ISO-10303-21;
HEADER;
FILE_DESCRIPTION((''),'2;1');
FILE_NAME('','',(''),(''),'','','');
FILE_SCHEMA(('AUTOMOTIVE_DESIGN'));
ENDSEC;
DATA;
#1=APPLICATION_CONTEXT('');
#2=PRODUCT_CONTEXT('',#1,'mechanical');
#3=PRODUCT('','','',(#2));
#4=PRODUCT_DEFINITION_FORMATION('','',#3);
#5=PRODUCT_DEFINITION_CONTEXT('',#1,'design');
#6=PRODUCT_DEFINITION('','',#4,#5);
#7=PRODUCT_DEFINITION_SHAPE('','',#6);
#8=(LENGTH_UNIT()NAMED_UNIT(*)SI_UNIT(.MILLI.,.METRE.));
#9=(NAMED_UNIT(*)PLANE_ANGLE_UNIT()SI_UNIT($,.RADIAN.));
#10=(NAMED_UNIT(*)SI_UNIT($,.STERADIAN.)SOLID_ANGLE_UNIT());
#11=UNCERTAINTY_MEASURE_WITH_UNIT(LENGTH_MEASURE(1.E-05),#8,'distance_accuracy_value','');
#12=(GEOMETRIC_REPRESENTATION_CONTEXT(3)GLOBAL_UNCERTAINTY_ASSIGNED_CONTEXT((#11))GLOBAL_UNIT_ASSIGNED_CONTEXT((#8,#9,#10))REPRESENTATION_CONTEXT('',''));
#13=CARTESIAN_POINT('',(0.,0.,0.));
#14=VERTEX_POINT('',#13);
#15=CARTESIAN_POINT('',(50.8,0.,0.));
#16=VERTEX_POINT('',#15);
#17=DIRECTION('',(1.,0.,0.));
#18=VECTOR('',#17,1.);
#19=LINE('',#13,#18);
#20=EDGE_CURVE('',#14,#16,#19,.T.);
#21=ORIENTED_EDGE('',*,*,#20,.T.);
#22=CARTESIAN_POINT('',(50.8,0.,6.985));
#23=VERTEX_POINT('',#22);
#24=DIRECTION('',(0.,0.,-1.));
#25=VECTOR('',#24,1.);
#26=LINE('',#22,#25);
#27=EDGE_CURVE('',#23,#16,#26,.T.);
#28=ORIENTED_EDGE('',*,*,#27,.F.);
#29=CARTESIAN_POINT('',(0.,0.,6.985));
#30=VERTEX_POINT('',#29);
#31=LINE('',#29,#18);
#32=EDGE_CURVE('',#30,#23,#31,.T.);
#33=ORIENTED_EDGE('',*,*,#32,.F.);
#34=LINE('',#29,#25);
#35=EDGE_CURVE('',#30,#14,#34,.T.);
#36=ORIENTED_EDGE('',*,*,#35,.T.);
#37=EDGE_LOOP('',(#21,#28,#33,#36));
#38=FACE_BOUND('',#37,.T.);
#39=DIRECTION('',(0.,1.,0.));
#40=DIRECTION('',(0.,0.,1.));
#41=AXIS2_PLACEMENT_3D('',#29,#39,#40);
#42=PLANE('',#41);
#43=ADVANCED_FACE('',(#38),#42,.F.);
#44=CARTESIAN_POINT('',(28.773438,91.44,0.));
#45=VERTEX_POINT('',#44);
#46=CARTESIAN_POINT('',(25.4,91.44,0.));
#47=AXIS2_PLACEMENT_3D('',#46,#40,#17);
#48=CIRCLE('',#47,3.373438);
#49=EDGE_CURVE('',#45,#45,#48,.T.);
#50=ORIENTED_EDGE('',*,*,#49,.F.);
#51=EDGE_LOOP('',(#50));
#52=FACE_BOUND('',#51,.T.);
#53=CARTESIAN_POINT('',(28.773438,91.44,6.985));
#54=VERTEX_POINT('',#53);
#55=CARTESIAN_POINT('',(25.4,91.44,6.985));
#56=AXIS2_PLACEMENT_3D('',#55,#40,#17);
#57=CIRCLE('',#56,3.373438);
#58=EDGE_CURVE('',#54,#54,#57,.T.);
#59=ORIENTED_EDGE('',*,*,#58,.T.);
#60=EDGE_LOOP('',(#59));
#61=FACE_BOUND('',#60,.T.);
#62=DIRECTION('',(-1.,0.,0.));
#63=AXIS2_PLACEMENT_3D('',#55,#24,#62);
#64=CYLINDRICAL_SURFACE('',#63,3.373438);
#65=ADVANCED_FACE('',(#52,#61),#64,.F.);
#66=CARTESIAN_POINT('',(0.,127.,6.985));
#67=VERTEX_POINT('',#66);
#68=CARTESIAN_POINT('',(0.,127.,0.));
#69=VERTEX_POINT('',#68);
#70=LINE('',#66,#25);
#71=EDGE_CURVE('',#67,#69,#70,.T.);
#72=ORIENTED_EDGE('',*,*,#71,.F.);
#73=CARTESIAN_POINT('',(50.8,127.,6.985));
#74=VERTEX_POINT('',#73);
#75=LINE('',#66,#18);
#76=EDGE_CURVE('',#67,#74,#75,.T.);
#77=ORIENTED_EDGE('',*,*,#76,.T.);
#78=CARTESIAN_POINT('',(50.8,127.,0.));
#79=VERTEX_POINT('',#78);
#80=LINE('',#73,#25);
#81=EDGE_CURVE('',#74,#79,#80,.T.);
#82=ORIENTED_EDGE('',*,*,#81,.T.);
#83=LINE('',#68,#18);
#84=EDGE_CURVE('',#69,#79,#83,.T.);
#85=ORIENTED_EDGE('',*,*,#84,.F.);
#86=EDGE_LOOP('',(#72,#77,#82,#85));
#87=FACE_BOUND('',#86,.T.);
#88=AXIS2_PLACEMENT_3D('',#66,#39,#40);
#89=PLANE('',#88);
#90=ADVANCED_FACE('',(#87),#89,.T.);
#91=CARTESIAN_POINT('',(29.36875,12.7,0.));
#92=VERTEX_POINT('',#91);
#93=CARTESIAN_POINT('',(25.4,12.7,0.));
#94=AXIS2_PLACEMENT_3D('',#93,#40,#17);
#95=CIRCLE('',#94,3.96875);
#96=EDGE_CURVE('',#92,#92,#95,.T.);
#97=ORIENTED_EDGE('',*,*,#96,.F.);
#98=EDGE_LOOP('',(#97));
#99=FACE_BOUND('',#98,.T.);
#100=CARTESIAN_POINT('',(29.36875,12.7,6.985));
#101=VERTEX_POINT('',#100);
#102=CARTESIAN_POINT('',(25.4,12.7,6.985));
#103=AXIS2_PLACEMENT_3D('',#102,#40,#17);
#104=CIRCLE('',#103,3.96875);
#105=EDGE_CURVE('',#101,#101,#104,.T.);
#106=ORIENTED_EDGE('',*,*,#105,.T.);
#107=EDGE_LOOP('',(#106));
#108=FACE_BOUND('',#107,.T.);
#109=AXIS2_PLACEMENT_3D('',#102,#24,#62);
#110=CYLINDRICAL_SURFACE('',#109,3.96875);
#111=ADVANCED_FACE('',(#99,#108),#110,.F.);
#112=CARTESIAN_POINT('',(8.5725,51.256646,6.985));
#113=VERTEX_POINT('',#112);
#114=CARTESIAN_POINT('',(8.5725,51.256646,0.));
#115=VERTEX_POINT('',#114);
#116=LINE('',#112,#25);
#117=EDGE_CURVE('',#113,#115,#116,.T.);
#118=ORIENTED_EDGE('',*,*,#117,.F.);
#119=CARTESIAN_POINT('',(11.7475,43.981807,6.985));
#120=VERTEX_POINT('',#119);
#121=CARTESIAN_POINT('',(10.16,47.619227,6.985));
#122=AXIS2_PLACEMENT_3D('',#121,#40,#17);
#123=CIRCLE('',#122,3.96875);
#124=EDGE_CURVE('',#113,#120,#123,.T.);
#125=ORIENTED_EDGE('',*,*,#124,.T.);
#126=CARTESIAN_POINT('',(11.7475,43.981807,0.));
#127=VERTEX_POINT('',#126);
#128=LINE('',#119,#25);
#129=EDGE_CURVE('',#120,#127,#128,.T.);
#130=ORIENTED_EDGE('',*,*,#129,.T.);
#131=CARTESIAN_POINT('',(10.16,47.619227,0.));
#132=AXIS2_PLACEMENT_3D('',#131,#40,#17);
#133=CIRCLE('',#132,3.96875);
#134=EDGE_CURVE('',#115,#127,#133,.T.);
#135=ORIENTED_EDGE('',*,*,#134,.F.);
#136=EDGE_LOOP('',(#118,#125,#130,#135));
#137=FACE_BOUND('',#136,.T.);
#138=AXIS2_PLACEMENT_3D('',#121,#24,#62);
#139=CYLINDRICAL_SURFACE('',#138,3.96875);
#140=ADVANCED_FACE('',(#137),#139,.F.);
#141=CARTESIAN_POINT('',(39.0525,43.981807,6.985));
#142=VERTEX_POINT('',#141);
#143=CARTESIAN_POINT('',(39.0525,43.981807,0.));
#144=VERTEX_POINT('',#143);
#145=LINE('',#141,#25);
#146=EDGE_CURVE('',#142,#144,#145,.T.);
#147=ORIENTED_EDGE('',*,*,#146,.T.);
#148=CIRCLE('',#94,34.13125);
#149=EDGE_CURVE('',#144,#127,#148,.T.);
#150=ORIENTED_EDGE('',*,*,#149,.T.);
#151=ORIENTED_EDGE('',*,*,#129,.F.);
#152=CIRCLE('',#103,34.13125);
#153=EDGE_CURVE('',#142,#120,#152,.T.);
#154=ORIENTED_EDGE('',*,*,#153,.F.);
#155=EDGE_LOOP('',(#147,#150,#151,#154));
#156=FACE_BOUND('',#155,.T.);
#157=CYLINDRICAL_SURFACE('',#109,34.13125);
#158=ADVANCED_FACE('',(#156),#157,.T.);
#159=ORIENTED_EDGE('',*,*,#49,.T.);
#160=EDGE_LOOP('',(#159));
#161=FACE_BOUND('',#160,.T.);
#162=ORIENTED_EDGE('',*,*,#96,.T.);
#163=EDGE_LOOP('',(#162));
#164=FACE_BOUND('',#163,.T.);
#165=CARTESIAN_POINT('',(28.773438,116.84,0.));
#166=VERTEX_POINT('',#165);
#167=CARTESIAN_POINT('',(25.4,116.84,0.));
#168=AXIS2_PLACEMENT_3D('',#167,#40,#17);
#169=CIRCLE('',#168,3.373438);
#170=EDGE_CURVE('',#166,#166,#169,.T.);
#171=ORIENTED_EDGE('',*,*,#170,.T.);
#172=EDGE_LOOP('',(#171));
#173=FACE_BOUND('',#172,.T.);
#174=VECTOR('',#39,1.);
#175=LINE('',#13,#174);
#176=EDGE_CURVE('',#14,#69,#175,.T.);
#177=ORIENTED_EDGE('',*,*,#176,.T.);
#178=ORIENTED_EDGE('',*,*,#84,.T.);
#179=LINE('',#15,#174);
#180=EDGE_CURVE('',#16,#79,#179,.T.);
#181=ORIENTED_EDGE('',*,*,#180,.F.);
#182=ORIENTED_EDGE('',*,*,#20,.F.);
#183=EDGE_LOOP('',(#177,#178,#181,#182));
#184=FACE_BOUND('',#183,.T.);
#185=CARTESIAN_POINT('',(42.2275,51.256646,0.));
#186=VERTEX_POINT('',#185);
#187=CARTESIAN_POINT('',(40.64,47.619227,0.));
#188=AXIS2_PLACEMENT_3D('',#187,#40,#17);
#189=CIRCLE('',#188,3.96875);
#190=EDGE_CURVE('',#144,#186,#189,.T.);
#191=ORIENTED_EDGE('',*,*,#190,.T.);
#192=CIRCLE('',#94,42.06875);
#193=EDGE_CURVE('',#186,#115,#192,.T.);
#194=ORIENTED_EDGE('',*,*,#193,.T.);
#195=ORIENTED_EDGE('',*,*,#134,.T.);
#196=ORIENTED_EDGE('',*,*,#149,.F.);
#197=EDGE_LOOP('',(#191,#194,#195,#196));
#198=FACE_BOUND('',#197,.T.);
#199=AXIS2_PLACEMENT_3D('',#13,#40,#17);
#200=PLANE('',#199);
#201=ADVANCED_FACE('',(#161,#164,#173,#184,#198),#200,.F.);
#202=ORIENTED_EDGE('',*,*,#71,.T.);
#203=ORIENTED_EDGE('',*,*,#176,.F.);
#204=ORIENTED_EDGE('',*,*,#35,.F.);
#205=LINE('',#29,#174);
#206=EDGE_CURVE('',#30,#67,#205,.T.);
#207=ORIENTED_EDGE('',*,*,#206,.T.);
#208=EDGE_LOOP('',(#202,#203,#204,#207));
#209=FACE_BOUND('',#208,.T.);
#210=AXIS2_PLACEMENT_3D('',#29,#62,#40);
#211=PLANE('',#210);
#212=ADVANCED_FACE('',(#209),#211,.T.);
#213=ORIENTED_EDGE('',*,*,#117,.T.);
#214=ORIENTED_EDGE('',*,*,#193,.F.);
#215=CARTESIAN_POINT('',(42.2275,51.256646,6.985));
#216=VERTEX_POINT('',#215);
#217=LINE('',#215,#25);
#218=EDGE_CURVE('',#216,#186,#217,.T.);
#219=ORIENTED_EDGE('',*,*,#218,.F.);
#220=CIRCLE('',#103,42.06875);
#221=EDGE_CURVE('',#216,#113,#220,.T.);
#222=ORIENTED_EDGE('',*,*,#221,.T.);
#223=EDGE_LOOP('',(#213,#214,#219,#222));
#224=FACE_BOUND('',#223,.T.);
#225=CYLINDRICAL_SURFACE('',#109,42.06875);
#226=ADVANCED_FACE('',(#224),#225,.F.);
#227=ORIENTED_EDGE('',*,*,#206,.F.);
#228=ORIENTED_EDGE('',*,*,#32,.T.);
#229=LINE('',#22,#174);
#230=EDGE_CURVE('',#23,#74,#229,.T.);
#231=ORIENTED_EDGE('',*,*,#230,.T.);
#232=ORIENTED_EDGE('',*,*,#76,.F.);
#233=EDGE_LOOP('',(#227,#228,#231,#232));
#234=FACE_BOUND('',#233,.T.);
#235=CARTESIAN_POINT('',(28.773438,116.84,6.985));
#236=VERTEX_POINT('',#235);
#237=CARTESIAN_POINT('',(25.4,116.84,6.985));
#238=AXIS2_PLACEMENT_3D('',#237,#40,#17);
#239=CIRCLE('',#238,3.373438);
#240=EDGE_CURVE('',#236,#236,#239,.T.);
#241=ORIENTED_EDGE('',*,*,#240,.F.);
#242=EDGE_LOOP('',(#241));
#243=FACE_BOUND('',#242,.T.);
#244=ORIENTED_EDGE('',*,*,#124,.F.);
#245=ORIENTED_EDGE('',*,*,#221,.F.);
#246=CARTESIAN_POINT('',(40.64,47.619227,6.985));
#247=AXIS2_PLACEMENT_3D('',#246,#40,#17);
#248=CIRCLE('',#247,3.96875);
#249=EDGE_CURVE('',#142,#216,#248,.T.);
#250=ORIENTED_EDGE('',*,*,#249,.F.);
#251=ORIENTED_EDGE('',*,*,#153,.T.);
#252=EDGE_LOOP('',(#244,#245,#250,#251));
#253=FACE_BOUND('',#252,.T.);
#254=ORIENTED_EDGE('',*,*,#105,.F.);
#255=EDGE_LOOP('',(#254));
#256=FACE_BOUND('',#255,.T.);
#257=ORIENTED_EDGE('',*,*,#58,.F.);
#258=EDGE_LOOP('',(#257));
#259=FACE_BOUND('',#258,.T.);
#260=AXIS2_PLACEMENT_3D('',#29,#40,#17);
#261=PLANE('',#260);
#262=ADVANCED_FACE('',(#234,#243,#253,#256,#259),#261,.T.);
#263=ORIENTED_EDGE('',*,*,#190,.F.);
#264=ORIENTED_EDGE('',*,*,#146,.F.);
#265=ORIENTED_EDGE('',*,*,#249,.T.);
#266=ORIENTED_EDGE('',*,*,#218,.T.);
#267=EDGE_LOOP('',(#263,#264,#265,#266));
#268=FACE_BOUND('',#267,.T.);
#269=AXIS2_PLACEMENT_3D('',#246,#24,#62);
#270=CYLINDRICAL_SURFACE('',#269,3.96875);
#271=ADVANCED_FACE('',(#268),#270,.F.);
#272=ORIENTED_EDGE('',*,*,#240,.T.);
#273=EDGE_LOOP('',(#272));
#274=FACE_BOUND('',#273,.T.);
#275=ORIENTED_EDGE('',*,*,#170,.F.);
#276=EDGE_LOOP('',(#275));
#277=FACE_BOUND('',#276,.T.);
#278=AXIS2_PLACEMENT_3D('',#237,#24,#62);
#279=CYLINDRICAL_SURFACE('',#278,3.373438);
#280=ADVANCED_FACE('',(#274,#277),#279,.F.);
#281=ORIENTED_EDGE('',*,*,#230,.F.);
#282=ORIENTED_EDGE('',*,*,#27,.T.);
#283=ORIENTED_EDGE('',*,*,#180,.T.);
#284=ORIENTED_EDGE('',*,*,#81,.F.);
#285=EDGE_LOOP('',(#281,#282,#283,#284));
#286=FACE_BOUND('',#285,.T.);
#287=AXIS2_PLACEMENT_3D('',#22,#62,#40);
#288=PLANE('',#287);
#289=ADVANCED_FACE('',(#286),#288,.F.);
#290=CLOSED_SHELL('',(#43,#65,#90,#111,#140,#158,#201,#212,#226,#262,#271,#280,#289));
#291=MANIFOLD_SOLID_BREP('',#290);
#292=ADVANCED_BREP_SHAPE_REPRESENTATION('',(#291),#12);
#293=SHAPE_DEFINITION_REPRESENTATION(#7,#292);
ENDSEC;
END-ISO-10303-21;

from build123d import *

# Parameters (mm, degrees)
SKETCH1_W           = 50.8
SKETCH1_H           = 127
SKETCH1_R           = 3.96875
SKETCH1_R_2         = 3.3734375
BOSS_EXTRUDE2_DEPTH = 6.985


with BuildPart() as part:
    # Sketch1 → Boss-Extrude2 (new body)
    with BuildSketch(Plane.XY):
        with Locations((25.4, 63.5)):
            Rectangle(SKETCH1_W, SKETCH1_H)
        with Locations((25.4, 12.7)):
            Circle(SKETCH1_R, mode=Mode.SUBTRACT)
        with Locations((25.4, 116.84)):
            Circle(SKETCH1_R_2, mode=Mode.SUBTRACT)
        with Locations((25.4, 91.44)):
            Circle(SKETCH1_R_2, mode=Mode.SUBTRACT)
        with BuildLine():
            ThreePointArc((42.2275, 51.256646253), (25.4, 54.76875), (8.5725, 51.256646253))
            ThreePointArc((8.5725, 51.256646253), (6.522580542, 46.031726796), (11.7475, 43.981807338))
            ThreePointArc((11.7475, 43.981807338), (25.4, 46.83125), (39.0525, 43.981807338))
            ThreePointArc((39.0525, 43.981807338), (44.277419458, 46.031726796), (42.2275, 51.256646253))
        make_face(mode=Mode.SUBTRACT)
    extrude(amount=BOSS_EXTRUDE2_DEPTH)


solid = part.part
